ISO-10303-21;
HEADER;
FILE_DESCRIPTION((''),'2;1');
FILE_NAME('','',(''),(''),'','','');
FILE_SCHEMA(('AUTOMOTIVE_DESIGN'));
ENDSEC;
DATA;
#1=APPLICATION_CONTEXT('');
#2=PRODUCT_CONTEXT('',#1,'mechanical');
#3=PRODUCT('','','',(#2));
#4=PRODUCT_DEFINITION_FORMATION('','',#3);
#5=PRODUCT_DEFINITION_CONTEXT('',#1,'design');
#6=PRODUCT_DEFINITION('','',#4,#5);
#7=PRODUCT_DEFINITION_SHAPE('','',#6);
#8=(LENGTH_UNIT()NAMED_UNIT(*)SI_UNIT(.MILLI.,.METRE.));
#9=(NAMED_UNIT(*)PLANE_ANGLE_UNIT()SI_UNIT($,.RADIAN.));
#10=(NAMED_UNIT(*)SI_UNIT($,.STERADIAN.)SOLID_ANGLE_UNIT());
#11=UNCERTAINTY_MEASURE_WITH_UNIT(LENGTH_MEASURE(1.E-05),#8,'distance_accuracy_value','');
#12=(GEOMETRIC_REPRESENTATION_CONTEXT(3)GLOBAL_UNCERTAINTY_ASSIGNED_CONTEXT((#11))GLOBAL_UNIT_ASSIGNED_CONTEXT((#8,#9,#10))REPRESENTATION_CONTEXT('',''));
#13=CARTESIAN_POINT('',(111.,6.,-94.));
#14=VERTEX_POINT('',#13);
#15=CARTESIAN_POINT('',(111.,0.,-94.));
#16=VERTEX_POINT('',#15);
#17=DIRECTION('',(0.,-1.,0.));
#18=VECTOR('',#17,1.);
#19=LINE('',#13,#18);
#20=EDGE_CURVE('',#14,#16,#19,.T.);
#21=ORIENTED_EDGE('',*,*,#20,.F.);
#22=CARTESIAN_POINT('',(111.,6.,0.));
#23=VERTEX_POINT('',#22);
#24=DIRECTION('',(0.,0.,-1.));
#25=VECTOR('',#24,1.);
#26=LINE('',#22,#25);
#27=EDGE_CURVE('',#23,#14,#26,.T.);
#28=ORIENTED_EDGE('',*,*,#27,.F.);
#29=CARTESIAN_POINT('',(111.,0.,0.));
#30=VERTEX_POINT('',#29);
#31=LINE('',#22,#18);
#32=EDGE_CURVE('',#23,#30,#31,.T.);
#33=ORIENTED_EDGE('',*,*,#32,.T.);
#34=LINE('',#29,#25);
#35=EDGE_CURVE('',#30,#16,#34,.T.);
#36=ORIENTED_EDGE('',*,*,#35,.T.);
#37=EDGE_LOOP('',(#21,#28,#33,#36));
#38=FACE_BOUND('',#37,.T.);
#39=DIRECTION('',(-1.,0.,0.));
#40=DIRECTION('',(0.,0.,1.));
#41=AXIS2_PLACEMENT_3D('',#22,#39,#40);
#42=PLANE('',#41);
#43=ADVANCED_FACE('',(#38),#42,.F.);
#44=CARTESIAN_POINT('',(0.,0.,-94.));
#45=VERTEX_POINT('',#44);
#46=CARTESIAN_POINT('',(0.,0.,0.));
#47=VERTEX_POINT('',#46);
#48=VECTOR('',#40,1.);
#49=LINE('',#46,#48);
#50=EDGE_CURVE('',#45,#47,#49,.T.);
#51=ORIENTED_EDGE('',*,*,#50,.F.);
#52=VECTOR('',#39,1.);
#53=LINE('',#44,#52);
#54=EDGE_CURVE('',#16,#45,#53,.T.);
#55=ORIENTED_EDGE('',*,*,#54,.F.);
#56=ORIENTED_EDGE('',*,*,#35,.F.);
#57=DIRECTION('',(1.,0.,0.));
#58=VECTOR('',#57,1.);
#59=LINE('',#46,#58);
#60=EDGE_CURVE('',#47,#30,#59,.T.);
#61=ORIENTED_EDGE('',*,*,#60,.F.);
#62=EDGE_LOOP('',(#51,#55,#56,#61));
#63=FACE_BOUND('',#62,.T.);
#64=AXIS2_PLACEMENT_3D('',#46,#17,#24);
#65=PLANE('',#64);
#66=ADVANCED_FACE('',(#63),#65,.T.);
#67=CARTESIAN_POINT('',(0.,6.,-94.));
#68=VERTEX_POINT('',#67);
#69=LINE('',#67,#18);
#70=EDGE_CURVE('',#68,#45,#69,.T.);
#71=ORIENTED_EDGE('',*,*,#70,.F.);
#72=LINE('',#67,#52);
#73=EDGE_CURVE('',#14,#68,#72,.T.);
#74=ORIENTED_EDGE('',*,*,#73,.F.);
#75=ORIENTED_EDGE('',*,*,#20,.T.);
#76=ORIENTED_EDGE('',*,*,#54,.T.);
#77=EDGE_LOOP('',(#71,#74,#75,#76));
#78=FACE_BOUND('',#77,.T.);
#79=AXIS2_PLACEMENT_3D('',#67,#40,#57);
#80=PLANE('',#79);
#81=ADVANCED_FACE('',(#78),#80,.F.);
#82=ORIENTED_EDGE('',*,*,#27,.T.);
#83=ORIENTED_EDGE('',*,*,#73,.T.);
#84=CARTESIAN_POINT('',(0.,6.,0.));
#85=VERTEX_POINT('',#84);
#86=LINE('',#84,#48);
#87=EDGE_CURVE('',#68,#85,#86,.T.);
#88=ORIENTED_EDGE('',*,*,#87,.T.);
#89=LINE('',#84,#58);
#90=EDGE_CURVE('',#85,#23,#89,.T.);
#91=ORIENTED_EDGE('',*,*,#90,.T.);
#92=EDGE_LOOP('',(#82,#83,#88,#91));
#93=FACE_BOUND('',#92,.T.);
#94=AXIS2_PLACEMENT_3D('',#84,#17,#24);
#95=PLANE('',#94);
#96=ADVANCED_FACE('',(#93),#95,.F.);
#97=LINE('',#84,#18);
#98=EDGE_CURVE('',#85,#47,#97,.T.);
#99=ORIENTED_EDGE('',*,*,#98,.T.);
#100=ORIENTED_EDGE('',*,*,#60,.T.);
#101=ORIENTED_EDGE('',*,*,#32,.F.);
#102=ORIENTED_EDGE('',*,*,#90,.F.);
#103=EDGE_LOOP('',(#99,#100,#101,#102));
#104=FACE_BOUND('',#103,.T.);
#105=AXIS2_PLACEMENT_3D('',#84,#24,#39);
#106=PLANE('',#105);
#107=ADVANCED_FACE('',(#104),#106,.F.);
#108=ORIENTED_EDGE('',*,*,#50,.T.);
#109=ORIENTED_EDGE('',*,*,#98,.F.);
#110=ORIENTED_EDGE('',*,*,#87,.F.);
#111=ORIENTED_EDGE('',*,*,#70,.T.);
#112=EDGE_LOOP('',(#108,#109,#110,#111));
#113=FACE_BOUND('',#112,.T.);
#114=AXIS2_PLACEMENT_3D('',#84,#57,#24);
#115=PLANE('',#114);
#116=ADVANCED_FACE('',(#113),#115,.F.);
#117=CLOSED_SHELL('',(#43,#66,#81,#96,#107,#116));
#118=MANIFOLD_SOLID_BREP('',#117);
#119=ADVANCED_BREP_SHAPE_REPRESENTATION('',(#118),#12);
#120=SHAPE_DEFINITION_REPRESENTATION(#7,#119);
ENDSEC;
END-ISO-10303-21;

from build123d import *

# Parameters (mm, degrees)
SKETCH1_W           = 111
SKETCH1_H           = 94
BOSS_EXTRUDE1_DEPTH = 6


with BuildPart() as part:
    # Sketch1 → Boss-Extrude1 (new body)
    with BuildSketch(Plane(origin=(0, 0, 0), x_dir=(1, 0, 0), z_dir=(0, 1, 0))):
        with Locations((55.5, 47)):
            Rectangle(SKETCH1_W, SKETCH1_H)
    extrude(amount=BOSS_EXTRUDE1_DEPTH)


solid = part.part
